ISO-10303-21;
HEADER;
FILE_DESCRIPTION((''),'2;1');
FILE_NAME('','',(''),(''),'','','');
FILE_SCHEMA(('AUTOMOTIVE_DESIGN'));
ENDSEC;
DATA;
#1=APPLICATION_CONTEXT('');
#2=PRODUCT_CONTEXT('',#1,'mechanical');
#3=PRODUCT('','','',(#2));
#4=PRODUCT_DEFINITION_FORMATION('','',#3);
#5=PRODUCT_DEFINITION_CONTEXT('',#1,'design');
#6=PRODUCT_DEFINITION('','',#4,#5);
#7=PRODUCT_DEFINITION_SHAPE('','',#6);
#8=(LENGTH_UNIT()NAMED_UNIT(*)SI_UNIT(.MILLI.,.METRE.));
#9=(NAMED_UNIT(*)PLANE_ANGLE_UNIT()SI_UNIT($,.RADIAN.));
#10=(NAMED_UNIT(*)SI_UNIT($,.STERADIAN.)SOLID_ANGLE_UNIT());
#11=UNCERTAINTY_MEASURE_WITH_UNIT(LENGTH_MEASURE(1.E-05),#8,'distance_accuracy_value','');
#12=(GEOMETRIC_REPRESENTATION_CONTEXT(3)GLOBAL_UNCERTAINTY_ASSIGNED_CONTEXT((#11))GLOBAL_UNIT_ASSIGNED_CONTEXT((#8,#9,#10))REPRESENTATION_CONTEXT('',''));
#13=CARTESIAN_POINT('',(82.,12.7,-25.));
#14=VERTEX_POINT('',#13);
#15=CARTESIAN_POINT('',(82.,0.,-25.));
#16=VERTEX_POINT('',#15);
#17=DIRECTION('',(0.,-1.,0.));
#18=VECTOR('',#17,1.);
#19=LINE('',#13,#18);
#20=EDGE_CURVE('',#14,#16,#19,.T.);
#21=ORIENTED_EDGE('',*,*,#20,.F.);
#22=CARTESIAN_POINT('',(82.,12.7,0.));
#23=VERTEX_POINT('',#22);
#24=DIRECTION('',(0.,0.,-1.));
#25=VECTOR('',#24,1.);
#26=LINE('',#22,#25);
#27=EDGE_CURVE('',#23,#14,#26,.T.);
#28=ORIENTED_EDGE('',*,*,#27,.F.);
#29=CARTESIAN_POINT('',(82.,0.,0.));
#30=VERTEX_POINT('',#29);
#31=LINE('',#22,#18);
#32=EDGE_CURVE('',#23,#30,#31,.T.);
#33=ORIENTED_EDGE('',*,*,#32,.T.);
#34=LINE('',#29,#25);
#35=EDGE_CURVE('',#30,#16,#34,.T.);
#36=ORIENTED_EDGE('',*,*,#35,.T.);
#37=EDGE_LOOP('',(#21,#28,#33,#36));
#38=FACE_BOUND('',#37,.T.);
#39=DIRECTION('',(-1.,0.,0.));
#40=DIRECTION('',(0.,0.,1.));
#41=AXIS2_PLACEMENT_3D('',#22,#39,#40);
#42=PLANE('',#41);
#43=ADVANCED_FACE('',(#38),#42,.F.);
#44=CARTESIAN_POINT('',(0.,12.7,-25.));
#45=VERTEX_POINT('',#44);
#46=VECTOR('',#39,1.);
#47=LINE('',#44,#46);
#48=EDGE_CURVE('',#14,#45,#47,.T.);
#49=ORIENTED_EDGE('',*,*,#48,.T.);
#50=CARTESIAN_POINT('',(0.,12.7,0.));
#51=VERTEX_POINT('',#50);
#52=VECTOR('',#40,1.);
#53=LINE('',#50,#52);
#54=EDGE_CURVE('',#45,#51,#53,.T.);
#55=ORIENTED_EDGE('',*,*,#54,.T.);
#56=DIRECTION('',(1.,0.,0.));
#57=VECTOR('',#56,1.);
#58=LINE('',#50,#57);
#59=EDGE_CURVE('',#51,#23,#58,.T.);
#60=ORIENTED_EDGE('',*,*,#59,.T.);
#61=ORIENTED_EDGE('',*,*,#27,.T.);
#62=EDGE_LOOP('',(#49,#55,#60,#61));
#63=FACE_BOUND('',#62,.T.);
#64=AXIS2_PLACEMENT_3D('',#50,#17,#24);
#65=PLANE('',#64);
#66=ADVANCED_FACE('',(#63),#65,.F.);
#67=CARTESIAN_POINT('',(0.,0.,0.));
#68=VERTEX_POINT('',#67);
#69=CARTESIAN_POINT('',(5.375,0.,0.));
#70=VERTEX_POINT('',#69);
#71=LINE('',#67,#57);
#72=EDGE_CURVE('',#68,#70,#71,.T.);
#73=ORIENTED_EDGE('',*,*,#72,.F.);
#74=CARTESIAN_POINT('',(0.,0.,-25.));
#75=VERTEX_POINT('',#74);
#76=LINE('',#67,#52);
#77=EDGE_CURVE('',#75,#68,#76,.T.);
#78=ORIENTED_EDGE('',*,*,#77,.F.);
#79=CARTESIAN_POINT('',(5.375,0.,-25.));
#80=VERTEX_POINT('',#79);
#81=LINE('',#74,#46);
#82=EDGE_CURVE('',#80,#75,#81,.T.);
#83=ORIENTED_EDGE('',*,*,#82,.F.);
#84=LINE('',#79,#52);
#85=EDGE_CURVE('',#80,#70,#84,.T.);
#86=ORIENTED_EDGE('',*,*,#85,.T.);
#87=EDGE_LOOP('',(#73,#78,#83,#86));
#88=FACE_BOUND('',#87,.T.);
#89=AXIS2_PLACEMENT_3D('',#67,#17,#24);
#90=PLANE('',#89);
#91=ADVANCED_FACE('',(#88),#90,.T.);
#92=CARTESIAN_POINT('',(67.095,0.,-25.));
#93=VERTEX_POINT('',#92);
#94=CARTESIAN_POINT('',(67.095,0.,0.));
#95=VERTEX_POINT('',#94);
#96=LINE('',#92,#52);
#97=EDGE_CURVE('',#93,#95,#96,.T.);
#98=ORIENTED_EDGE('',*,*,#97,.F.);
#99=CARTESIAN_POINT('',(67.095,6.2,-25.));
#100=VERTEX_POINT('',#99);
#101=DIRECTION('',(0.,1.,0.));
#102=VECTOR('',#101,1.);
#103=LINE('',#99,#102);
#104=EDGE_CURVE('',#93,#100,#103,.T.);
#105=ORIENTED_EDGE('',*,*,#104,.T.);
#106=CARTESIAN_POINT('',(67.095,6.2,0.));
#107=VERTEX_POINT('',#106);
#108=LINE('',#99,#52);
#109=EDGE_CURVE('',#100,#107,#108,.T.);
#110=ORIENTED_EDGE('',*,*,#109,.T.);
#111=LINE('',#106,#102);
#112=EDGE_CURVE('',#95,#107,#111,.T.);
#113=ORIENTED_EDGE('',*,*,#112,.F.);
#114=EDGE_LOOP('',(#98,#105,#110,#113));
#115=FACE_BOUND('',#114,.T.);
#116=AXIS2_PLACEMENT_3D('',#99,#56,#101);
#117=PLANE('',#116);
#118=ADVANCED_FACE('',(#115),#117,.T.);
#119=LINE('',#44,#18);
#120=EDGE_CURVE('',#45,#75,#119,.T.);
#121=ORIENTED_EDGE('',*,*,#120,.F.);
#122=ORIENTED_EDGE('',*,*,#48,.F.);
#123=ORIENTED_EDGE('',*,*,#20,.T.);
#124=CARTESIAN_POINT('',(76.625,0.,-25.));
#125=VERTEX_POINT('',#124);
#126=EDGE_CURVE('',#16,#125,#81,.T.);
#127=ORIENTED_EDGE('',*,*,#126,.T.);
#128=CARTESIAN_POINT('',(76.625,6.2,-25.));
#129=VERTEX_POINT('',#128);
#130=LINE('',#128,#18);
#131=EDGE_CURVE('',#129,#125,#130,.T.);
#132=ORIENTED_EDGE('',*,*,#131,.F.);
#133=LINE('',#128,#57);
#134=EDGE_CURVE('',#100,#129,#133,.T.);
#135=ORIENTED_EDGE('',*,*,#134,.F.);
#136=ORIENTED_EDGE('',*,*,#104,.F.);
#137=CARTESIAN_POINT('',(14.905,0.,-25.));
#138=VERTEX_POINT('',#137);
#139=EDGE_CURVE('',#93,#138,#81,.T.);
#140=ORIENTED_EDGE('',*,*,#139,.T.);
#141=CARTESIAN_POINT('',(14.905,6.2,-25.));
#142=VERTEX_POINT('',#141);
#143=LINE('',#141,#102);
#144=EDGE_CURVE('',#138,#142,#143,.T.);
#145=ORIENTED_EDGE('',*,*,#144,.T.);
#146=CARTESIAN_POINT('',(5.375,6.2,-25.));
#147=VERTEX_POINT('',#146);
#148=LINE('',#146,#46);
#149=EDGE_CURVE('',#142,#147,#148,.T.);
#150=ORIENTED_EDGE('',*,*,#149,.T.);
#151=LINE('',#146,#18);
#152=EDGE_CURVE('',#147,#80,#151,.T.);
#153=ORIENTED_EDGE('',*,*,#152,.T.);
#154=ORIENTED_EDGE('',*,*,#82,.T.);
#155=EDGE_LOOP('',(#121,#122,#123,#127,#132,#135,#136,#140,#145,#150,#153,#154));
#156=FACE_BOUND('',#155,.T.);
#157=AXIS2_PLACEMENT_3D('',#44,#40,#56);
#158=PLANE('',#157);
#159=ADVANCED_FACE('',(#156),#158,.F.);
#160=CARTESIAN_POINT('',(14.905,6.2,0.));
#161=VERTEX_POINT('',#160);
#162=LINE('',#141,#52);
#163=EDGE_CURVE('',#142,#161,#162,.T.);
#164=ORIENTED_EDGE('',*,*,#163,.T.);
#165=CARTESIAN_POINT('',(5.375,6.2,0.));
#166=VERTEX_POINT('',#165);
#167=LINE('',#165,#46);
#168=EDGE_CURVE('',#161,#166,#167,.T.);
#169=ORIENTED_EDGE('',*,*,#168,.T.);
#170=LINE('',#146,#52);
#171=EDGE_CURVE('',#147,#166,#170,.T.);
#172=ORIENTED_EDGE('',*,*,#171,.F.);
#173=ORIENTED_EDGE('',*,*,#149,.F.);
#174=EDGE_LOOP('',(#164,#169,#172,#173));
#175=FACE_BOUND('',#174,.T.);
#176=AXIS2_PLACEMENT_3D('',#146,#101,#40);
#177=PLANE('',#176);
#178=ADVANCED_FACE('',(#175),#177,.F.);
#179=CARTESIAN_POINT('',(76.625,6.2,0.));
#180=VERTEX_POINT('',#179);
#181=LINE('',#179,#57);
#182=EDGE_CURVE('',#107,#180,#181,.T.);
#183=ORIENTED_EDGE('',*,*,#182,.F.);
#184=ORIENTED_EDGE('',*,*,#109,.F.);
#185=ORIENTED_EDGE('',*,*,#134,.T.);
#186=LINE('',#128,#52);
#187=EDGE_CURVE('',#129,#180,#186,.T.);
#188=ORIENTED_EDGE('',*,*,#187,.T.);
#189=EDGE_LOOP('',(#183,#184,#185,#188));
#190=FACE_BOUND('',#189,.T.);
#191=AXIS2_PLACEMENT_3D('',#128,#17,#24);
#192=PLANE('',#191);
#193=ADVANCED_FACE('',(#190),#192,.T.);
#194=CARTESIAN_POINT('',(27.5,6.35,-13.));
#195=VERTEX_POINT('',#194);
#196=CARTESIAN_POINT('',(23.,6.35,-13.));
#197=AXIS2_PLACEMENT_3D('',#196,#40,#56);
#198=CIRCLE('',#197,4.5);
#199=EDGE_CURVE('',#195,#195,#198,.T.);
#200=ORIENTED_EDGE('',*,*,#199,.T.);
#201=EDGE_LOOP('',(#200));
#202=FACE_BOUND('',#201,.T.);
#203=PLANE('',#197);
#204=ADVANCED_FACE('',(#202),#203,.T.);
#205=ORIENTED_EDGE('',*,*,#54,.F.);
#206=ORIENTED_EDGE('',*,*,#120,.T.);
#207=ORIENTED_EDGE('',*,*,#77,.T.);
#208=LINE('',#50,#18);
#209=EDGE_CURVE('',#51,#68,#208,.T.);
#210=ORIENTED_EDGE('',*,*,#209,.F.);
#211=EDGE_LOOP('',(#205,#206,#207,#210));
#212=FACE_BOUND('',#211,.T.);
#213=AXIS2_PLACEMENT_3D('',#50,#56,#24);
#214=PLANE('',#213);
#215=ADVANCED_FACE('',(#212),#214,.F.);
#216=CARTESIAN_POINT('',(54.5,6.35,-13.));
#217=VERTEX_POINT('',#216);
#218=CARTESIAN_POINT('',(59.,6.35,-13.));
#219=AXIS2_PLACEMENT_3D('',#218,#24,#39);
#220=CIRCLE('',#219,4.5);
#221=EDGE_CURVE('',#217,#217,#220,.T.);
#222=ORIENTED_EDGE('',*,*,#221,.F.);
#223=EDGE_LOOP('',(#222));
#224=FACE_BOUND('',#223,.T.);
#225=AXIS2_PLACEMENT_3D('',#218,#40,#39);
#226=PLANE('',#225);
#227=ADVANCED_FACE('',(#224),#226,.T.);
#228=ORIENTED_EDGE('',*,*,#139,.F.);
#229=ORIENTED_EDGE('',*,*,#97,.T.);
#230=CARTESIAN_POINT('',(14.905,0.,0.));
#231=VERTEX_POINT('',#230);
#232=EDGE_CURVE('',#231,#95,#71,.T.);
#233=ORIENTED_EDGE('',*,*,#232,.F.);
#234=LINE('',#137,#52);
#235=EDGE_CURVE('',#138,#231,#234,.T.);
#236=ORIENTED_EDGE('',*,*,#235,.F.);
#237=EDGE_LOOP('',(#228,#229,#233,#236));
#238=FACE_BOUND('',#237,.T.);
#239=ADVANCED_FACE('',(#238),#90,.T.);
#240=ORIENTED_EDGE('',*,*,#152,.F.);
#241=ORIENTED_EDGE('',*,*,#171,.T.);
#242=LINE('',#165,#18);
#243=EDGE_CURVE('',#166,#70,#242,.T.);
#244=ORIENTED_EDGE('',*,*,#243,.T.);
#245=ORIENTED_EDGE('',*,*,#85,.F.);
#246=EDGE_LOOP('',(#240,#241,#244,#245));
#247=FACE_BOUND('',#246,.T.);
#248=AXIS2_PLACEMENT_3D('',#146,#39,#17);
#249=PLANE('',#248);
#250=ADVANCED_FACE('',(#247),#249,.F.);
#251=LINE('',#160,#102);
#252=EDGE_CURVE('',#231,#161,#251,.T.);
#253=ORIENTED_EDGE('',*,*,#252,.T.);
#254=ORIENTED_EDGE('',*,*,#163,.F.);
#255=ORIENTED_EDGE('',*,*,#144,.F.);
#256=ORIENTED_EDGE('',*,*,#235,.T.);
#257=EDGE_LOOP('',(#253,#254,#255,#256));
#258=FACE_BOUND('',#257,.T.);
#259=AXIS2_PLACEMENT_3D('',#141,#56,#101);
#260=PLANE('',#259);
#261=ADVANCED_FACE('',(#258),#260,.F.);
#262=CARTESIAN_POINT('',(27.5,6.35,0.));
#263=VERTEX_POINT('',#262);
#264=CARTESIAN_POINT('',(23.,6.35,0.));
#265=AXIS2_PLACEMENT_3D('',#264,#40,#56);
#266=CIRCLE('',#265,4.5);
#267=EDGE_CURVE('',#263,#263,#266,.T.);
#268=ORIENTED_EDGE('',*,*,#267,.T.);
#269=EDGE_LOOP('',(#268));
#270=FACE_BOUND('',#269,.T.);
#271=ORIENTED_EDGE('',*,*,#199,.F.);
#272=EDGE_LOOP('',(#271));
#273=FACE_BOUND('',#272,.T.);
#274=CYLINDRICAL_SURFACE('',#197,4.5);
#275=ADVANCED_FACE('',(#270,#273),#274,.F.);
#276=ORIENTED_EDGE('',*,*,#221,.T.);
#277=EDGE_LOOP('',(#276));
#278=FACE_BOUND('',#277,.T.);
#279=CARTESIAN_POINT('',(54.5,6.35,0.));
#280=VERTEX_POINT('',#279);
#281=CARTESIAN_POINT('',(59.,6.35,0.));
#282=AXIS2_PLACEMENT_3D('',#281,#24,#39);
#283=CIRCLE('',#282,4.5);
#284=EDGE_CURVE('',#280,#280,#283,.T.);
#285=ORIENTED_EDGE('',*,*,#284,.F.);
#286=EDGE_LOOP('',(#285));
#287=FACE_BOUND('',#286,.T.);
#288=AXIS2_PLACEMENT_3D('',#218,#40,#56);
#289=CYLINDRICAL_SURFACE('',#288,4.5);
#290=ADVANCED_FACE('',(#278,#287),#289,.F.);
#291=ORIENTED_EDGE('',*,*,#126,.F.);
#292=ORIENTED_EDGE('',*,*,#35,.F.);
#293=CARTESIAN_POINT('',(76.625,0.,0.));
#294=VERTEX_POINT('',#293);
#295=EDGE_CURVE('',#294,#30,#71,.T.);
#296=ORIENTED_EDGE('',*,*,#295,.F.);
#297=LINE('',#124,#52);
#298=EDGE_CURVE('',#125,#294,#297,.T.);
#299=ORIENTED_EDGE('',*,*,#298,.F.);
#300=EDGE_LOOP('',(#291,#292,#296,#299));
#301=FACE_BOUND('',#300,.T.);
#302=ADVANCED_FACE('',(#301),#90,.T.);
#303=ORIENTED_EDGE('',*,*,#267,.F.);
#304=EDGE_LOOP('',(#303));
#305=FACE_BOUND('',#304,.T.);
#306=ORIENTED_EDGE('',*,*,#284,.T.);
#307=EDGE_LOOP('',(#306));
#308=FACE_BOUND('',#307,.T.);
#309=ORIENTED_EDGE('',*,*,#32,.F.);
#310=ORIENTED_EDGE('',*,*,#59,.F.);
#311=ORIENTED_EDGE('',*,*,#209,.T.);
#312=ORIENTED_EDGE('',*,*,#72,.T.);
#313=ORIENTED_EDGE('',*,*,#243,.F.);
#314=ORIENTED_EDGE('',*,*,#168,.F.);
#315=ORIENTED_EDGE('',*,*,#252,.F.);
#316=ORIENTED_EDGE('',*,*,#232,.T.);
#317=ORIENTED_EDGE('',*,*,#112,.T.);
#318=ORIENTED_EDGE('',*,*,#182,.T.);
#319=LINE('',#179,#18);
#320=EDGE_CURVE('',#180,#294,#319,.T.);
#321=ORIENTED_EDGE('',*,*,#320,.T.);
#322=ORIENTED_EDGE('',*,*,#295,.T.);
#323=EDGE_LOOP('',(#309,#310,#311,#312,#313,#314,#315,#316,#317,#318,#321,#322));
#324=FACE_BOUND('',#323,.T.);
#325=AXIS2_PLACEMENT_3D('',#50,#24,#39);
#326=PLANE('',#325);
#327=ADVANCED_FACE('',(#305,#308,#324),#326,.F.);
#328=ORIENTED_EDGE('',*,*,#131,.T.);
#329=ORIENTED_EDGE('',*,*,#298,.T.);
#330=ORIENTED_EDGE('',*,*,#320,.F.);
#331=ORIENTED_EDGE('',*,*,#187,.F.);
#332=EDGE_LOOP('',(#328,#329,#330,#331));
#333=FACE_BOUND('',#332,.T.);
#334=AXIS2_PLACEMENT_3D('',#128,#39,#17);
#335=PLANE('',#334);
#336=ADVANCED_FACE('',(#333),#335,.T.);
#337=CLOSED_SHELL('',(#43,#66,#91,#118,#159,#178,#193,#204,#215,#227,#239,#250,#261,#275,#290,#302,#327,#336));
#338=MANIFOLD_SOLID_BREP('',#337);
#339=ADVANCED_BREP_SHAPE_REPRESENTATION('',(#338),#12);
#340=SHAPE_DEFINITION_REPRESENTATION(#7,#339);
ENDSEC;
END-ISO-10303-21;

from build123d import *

# Parameters (mm, degrees)
SKETCH1_W           = 82
SKETCH1_H           = 25
BOSS_EXTRUDE1_DEPTH = 12.7
SKETCH2_W           = 9.53
SKETCH2_H           = 6.2
CUT_EXTRUDE1_DEPTH  = 26
SKETCH3_R           = 4.5
CUT_EXTRUDE2_DEPTH  = 13


with BuildPart() as part:
    # Sketch1 → Boss-Extrude1 (new body)
    with BuildSketch(Plane(origin=(0, 0, 0), x_dir=(1, 0, 0), z_dir=(0, 1, 0))):
        with Locations((41, 12.5)):
            Rectangle(SKETCH1_W, SKETCH1_H)
    extrude(amount=BOSS_EXTRUDE1_DEPTH)

    # Sketch2 → Cut-Extrude1 (cut, through all)
    with BuildSketch(Plane.XY):
        with Locations((10.14, 3.1)):
            Rectangle(SKETCH2_W, SKETCH2_H)
    cut_extrude1 = extrude(amount=-CUT_EXTRUDE1_DEPTH, mode=Mode.SUBTRACT)

    # Sketch3 → Cut-Extrude2 (cut)
    with BuildSketch(Plane.XY):
        with Locations((23, 6.35)):
            Circle(SKETCH3_R)
    cut_extrude2 = extrude(amount=-CUT_EXTRUDE2_DEPTH, mode=Mode.SUBTRACT)

    # Mirror1: Cut-Extrude1, Cut-Extrude2 across plane
    add(cut_extrude1.mirror(Plane(origin=(41, 0, 0), x_dir=(0, 0, 1), z_dir=(1, 0, 0))), mode=Mode.SUBTRACT)
    add(cut_extrude2.mirror(Plane(origin=(41, 0, 0), x_dir=(0, 0, 1), z_dir=(1, 0, 0))), mode=Mode.SUBTRACT)


solid = part.part
